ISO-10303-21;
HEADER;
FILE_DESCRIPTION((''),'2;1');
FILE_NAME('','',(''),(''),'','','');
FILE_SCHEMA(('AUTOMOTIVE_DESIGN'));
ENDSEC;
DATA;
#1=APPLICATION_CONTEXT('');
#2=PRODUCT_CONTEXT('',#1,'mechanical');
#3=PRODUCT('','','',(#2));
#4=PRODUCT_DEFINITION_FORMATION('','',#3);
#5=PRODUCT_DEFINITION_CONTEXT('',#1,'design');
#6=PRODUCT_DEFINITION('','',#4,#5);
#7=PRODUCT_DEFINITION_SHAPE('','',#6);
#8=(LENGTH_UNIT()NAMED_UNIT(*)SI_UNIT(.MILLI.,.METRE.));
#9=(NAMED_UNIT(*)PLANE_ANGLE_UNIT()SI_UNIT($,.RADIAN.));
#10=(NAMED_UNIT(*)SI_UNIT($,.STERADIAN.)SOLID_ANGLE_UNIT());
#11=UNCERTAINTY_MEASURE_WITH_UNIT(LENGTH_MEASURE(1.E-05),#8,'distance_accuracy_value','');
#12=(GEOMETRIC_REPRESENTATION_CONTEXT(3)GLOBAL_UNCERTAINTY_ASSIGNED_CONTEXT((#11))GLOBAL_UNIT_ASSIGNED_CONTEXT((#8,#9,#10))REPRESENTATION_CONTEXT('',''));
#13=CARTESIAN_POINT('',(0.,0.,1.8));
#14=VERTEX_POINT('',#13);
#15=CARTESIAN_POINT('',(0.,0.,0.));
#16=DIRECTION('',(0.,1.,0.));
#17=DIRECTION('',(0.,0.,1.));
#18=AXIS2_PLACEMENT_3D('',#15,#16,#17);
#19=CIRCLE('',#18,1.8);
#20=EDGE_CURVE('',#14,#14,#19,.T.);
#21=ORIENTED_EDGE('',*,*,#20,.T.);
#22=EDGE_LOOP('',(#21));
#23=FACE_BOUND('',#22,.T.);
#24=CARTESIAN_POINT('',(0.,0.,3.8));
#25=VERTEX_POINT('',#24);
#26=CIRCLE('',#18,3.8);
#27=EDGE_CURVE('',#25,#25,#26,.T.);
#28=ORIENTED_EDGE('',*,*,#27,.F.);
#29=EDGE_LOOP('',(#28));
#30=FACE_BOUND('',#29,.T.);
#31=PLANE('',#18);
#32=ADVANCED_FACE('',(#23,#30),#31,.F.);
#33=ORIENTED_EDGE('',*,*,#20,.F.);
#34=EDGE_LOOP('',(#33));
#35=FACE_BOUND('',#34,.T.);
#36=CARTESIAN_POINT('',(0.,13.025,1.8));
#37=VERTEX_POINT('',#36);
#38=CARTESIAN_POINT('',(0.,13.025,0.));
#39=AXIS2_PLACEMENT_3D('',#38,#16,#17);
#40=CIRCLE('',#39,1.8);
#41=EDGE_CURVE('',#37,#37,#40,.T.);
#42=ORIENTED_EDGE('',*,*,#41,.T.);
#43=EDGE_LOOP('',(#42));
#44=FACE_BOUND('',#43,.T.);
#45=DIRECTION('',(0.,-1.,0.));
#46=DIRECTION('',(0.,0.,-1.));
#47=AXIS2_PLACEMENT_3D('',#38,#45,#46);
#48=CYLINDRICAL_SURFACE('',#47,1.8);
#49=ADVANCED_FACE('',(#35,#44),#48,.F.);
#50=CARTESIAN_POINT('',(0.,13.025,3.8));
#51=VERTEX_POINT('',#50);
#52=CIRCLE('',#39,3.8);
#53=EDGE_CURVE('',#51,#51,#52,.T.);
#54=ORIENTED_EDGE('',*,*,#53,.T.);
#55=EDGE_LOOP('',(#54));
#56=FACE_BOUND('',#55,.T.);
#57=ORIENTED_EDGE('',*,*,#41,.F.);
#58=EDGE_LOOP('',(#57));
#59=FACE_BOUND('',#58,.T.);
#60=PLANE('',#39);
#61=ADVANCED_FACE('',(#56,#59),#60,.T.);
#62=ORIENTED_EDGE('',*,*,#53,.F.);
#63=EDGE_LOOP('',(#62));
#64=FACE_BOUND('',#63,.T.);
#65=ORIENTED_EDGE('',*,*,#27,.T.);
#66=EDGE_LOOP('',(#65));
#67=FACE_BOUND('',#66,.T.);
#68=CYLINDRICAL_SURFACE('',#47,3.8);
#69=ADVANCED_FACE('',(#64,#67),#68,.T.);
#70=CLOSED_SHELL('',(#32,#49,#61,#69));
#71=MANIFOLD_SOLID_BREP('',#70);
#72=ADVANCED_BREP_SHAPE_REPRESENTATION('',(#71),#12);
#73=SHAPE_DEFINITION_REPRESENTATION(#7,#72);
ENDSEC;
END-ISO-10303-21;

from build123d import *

# Parameters (mm, degrees)
SKETCH1_R           = 3.8
SKETCH1_R_2         = 1.8
BOSS_EXTRUDE1_DEPTH = 13.025


with BuildPart() as part:
    # Sketch1 → Boss-Extrude1 (new body)
    with BuildSketch(Plane(origin=(0, 0, 0), x_dir=(1, 0, 0), z_dir=(0, 1, 0))):
        Circle(SKETCH1_R)
        Circle(SKETCH1_R_2, mode=Mode.SUBTRACT)
    extrude(amount=BOSS_EXTRUDE1_DEPTH)


solid = part.part
